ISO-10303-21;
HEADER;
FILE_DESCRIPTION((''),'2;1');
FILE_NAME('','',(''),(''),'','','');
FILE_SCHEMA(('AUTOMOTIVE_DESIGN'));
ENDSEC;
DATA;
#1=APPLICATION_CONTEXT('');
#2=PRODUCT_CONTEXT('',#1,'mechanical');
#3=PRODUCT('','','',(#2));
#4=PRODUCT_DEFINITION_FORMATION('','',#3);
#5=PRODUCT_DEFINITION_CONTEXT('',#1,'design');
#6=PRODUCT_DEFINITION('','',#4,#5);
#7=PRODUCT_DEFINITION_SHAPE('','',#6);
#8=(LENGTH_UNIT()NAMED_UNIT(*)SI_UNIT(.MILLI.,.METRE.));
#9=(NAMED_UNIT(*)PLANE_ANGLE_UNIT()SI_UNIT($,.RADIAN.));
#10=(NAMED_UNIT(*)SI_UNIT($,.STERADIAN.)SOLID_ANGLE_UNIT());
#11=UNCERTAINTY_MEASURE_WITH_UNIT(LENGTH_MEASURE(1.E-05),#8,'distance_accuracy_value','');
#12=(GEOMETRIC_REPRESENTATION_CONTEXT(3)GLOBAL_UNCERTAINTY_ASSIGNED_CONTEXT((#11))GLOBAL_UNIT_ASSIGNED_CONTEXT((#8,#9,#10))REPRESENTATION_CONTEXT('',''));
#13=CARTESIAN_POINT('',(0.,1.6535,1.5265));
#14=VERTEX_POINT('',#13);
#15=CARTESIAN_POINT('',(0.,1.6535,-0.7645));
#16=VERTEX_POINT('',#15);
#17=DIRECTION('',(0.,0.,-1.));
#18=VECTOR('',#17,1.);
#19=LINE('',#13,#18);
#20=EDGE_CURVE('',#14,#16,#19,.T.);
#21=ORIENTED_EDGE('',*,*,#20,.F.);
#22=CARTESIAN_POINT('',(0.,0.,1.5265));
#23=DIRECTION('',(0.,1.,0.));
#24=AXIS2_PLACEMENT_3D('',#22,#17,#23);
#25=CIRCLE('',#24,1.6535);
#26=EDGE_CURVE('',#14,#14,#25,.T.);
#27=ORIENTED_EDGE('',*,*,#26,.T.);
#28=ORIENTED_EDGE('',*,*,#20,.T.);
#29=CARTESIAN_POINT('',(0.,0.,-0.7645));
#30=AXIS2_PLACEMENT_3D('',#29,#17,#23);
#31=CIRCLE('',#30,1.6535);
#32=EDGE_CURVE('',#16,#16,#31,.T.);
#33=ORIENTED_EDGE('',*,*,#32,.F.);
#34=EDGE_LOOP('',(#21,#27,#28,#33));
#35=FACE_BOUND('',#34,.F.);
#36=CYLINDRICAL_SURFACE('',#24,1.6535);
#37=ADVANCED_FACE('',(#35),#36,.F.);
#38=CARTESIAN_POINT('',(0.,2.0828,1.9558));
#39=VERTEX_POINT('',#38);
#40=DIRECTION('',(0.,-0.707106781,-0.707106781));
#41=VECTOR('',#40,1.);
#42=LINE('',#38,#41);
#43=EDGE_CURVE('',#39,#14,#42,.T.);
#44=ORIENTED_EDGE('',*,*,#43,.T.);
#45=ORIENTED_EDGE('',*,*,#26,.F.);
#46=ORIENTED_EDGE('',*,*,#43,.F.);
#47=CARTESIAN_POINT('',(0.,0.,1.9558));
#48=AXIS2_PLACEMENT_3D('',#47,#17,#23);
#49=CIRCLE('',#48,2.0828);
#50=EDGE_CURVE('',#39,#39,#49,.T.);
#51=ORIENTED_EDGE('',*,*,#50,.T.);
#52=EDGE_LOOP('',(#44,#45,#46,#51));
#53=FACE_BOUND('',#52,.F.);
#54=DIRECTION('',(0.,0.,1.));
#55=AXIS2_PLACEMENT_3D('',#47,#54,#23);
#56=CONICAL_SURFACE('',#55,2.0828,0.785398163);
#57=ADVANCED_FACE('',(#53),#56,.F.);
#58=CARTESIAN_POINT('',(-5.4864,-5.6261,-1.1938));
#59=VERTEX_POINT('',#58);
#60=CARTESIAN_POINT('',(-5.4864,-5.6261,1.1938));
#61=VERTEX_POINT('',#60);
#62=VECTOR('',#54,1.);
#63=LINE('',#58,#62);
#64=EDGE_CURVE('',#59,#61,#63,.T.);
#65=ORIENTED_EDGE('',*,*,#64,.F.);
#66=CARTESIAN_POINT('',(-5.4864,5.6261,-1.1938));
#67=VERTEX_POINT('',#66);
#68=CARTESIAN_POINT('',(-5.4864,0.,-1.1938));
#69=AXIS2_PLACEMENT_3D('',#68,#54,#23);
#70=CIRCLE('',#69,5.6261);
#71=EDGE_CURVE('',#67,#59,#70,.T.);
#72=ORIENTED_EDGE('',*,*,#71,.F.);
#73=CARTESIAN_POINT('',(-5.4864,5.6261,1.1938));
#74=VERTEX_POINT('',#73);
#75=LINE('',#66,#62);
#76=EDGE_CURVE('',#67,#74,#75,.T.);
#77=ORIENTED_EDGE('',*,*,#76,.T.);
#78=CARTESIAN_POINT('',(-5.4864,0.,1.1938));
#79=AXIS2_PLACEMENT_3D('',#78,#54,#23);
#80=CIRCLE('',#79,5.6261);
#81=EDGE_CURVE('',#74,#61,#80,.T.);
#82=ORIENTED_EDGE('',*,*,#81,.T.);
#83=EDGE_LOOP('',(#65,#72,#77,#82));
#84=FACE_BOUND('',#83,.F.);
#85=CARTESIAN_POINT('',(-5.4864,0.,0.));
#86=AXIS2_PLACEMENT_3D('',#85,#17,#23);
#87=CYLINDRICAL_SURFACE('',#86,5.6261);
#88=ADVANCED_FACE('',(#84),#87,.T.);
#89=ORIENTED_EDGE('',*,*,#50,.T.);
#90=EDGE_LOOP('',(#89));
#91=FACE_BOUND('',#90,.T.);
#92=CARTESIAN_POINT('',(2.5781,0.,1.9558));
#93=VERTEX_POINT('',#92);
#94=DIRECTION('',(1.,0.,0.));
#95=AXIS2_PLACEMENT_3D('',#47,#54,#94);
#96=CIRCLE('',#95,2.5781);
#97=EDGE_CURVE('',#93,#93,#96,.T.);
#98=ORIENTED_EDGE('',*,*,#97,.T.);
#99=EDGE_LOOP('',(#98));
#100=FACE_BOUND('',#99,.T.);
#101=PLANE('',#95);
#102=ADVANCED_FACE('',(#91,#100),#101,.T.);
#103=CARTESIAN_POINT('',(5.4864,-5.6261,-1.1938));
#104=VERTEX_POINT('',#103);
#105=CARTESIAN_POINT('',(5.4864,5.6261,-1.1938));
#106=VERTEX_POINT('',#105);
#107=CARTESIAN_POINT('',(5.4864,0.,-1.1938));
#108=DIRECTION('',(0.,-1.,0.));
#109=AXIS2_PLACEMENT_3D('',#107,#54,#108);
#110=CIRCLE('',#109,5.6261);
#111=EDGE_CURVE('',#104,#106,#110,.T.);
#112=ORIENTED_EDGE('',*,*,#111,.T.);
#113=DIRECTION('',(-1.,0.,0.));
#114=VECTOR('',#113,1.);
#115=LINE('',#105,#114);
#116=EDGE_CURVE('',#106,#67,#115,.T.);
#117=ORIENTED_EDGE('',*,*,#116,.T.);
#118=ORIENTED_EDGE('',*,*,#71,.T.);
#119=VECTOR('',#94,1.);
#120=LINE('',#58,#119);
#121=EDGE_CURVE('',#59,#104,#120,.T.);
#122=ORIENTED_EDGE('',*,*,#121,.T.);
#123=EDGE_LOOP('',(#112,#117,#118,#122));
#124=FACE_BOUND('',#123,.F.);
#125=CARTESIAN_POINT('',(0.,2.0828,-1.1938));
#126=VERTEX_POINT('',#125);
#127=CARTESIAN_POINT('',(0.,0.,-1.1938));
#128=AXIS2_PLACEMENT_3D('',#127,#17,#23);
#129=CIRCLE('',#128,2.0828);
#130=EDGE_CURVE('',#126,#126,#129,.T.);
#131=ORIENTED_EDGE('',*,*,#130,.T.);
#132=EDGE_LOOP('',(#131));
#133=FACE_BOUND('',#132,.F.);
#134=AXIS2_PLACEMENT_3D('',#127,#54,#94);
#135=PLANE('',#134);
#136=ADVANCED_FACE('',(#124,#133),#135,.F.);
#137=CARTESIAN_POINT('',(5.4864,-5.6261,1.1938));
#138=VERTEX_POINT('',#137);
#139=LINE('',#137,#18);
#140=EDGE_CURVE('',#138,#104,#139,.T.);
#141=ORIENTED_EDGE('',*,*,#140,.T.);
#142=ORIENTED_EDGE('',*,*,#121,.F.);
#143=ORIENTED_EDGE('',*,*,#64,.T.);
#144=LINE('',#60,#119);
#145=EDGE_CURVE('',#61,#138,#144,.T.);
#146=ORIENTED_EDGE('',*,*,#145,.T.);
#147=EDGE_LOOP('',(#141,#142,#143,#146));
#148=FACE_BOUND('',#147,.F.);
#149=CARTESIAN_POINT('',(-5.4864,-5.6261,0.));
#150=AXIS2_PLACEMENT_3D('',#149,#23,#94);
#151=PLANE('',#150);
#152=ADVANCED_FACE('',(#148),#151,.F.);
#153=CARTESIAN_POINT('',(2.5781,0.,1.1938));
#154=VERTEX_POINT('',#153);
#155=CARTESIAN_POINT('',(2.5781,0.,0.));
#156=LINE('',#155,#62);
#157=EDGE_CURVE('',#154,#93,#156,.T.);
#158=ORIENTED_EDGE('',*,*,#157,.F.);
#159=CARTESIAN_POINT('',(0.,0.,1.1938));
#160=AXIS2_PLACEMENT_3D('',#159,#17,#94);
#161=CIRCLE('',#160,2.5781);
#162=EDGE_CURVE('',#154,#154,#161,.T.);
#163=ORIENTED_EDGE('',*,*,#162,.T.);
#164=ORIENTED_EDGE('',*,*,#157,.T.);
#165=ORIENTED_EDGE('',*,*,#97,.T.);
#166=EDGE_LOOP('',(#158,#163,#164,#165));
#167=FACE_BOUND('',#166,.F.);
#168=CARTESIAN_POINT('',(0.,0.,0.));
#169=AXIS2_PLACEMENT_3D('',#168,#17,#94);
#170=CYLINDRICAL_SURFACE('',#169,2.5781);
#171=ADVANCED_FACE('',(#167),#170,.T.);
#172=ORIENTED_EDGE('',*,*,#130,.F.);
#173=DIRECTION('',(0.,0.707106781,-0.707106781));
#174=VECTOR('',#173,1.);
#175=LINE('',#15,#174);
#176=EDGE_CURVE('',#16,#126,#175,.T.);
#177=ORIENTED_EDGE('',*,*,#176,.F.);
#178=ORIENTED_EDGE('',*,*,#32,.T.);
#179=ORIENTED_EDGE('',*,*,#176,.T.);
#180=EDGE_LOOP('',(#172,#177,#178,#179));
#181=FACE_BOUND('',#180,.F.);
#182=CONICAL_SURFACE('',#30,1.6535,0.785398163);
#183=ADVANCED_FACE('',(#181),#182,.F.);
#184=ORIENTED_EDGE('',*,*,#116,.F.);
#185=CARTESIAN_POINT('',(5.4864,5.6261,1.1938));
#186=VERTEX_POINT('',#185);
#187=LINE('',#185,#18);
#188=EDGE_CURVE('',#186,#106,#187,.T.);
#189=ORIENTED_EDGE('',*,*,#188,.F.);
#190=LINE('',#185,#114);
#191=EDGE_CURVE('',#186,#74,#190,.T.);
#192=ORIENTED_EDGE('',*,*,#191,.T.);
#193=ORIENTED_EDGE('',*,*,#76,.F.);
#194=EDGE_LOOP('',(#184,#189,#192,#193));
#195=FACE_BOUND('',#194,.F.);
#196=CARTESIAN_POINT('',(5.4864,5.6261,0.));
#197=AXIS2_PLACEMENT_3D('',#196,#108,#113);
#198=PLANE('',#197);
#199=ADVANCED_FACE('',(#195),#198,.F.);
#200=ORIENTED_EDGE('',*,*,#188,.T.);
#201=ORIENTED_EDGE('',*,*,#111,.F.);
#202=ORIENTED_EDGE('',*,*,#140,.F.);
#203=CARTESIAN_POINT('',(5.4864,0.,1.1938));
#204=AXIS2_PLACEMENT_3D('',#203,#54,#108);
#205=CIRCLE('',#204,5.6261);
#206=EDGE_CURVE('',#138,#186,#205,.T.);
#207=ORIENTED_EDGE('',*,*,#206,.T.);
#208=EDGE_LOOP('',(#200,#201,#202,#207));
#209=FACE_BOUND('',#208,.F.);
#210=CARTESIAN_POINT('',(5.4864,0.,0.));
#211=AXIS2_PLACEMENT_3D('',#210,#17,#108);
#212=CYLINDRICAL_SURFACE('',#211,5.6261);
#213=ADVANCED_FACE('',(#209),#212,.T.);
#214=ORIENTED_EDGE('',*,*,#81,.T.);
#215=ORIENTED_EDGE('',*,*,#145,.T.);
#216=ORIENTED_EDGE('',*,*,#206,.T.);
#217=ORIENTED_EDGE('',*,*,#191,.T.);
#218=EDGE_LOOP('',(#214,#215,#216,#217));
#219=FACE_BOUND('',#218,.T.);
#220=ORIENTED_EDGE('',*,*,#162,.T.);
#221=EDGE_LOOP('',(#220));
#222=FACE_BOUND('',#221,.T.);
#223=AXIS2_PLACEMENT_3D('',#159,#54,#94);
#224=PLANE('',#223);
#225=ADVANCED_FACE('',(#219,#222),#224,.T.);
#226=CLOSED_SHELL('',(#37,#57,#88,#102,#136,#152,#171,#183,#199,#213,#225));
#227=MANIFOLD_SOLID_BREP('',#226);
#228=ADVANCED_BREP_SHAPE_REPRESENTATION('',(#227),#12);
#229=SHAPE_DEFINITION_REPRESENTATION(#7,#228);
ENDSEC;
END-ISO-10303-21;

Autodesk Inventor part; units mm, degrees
sketch "Sketch_1" plane through (0, 0, 0) normal (0, 0, 1) x (1, 0, 0)
  arc A0 (-5.4864, 5.6261) -> (-5.4864, -5.6261) centre (-5.4864, 0) ccw
  line L0 (-5.4864, -5.6261) -> (5.4864, -5.6261)
  arc A1 (5.4864, -5.6261) -> (5.4864, 5.6261) centre (5.4864, 0) ccw
  line L1 (5.4864, 5.6261) -> (-5.4864, 5.6261)
extrude "Extrusion1" add sketch "Sketch_1" along normal mid plane 2.3876
sketch "Sketch_3" plane through (0, 0, 0) normal (0, 0, 1) x (1, 0, 0)
  circle A0 centre (0, 0) radius 2.5781
extrude "Extrusion2" add sketch "Sketch_3" along normal blind 1.9558
sketch "Sketch_4" plane through (0, 0, 0) normal (1, 0, 0) x (0, 1, 0)
  line L0 (0, -1.1938) -> (0, 1.9558)
  line L1 (0, 1.9558) -> (2.0828, 1.9558)
  line L2 (2.0828, 1.9558) -> (1.6535, 1.5265)
  line L3 (1.6535, 1.5265) -> (1.6535, -0.7645)
  line L4 (1.6535, -0.7645) -> (2.0828, -1.1938)
  line L5 (2.0828, -1.1938) -> (0, -1.1938)
  line L6 (0, -1.1938) -> (0, 1.9558)
revolve "Revolution1" cut sketch "Sketch_4" angle 360 about axis through (0, 0, -1.1938) along (0, 0, -1)
thread "Thread1" size "8-32 UNC" class "2B" standard "ANSI Unified Screw Threads" full length
ref_plane "tnut_XY" through (0, 0, -1.1938) normal (0, 0, 1) x (1, 0, 0)
ref_plane "tnut_YZ" through (0, 0, -1.1938) normal (1, 0, 0) x (0, 1, 0)
ref_plane "tnut_ZX" through (0, 0, -1.1938) normal (0, 1, 0) x (0, 0, 1)
ref_plane "tnut1_XY" through (0, 0, 1.1938) normal (0, 0, 1) x (1, 0, 0)
ref_plane "tnut1_YZ" through (0, 0, 1.1938) normal (1, 0, 0) x (0, 1, 0)
ref_plane "tnut1_ZX" through (0, 0, 1.1938) normal (0, 1, 0) x (0, 0, 1)
properties part number "3275"
